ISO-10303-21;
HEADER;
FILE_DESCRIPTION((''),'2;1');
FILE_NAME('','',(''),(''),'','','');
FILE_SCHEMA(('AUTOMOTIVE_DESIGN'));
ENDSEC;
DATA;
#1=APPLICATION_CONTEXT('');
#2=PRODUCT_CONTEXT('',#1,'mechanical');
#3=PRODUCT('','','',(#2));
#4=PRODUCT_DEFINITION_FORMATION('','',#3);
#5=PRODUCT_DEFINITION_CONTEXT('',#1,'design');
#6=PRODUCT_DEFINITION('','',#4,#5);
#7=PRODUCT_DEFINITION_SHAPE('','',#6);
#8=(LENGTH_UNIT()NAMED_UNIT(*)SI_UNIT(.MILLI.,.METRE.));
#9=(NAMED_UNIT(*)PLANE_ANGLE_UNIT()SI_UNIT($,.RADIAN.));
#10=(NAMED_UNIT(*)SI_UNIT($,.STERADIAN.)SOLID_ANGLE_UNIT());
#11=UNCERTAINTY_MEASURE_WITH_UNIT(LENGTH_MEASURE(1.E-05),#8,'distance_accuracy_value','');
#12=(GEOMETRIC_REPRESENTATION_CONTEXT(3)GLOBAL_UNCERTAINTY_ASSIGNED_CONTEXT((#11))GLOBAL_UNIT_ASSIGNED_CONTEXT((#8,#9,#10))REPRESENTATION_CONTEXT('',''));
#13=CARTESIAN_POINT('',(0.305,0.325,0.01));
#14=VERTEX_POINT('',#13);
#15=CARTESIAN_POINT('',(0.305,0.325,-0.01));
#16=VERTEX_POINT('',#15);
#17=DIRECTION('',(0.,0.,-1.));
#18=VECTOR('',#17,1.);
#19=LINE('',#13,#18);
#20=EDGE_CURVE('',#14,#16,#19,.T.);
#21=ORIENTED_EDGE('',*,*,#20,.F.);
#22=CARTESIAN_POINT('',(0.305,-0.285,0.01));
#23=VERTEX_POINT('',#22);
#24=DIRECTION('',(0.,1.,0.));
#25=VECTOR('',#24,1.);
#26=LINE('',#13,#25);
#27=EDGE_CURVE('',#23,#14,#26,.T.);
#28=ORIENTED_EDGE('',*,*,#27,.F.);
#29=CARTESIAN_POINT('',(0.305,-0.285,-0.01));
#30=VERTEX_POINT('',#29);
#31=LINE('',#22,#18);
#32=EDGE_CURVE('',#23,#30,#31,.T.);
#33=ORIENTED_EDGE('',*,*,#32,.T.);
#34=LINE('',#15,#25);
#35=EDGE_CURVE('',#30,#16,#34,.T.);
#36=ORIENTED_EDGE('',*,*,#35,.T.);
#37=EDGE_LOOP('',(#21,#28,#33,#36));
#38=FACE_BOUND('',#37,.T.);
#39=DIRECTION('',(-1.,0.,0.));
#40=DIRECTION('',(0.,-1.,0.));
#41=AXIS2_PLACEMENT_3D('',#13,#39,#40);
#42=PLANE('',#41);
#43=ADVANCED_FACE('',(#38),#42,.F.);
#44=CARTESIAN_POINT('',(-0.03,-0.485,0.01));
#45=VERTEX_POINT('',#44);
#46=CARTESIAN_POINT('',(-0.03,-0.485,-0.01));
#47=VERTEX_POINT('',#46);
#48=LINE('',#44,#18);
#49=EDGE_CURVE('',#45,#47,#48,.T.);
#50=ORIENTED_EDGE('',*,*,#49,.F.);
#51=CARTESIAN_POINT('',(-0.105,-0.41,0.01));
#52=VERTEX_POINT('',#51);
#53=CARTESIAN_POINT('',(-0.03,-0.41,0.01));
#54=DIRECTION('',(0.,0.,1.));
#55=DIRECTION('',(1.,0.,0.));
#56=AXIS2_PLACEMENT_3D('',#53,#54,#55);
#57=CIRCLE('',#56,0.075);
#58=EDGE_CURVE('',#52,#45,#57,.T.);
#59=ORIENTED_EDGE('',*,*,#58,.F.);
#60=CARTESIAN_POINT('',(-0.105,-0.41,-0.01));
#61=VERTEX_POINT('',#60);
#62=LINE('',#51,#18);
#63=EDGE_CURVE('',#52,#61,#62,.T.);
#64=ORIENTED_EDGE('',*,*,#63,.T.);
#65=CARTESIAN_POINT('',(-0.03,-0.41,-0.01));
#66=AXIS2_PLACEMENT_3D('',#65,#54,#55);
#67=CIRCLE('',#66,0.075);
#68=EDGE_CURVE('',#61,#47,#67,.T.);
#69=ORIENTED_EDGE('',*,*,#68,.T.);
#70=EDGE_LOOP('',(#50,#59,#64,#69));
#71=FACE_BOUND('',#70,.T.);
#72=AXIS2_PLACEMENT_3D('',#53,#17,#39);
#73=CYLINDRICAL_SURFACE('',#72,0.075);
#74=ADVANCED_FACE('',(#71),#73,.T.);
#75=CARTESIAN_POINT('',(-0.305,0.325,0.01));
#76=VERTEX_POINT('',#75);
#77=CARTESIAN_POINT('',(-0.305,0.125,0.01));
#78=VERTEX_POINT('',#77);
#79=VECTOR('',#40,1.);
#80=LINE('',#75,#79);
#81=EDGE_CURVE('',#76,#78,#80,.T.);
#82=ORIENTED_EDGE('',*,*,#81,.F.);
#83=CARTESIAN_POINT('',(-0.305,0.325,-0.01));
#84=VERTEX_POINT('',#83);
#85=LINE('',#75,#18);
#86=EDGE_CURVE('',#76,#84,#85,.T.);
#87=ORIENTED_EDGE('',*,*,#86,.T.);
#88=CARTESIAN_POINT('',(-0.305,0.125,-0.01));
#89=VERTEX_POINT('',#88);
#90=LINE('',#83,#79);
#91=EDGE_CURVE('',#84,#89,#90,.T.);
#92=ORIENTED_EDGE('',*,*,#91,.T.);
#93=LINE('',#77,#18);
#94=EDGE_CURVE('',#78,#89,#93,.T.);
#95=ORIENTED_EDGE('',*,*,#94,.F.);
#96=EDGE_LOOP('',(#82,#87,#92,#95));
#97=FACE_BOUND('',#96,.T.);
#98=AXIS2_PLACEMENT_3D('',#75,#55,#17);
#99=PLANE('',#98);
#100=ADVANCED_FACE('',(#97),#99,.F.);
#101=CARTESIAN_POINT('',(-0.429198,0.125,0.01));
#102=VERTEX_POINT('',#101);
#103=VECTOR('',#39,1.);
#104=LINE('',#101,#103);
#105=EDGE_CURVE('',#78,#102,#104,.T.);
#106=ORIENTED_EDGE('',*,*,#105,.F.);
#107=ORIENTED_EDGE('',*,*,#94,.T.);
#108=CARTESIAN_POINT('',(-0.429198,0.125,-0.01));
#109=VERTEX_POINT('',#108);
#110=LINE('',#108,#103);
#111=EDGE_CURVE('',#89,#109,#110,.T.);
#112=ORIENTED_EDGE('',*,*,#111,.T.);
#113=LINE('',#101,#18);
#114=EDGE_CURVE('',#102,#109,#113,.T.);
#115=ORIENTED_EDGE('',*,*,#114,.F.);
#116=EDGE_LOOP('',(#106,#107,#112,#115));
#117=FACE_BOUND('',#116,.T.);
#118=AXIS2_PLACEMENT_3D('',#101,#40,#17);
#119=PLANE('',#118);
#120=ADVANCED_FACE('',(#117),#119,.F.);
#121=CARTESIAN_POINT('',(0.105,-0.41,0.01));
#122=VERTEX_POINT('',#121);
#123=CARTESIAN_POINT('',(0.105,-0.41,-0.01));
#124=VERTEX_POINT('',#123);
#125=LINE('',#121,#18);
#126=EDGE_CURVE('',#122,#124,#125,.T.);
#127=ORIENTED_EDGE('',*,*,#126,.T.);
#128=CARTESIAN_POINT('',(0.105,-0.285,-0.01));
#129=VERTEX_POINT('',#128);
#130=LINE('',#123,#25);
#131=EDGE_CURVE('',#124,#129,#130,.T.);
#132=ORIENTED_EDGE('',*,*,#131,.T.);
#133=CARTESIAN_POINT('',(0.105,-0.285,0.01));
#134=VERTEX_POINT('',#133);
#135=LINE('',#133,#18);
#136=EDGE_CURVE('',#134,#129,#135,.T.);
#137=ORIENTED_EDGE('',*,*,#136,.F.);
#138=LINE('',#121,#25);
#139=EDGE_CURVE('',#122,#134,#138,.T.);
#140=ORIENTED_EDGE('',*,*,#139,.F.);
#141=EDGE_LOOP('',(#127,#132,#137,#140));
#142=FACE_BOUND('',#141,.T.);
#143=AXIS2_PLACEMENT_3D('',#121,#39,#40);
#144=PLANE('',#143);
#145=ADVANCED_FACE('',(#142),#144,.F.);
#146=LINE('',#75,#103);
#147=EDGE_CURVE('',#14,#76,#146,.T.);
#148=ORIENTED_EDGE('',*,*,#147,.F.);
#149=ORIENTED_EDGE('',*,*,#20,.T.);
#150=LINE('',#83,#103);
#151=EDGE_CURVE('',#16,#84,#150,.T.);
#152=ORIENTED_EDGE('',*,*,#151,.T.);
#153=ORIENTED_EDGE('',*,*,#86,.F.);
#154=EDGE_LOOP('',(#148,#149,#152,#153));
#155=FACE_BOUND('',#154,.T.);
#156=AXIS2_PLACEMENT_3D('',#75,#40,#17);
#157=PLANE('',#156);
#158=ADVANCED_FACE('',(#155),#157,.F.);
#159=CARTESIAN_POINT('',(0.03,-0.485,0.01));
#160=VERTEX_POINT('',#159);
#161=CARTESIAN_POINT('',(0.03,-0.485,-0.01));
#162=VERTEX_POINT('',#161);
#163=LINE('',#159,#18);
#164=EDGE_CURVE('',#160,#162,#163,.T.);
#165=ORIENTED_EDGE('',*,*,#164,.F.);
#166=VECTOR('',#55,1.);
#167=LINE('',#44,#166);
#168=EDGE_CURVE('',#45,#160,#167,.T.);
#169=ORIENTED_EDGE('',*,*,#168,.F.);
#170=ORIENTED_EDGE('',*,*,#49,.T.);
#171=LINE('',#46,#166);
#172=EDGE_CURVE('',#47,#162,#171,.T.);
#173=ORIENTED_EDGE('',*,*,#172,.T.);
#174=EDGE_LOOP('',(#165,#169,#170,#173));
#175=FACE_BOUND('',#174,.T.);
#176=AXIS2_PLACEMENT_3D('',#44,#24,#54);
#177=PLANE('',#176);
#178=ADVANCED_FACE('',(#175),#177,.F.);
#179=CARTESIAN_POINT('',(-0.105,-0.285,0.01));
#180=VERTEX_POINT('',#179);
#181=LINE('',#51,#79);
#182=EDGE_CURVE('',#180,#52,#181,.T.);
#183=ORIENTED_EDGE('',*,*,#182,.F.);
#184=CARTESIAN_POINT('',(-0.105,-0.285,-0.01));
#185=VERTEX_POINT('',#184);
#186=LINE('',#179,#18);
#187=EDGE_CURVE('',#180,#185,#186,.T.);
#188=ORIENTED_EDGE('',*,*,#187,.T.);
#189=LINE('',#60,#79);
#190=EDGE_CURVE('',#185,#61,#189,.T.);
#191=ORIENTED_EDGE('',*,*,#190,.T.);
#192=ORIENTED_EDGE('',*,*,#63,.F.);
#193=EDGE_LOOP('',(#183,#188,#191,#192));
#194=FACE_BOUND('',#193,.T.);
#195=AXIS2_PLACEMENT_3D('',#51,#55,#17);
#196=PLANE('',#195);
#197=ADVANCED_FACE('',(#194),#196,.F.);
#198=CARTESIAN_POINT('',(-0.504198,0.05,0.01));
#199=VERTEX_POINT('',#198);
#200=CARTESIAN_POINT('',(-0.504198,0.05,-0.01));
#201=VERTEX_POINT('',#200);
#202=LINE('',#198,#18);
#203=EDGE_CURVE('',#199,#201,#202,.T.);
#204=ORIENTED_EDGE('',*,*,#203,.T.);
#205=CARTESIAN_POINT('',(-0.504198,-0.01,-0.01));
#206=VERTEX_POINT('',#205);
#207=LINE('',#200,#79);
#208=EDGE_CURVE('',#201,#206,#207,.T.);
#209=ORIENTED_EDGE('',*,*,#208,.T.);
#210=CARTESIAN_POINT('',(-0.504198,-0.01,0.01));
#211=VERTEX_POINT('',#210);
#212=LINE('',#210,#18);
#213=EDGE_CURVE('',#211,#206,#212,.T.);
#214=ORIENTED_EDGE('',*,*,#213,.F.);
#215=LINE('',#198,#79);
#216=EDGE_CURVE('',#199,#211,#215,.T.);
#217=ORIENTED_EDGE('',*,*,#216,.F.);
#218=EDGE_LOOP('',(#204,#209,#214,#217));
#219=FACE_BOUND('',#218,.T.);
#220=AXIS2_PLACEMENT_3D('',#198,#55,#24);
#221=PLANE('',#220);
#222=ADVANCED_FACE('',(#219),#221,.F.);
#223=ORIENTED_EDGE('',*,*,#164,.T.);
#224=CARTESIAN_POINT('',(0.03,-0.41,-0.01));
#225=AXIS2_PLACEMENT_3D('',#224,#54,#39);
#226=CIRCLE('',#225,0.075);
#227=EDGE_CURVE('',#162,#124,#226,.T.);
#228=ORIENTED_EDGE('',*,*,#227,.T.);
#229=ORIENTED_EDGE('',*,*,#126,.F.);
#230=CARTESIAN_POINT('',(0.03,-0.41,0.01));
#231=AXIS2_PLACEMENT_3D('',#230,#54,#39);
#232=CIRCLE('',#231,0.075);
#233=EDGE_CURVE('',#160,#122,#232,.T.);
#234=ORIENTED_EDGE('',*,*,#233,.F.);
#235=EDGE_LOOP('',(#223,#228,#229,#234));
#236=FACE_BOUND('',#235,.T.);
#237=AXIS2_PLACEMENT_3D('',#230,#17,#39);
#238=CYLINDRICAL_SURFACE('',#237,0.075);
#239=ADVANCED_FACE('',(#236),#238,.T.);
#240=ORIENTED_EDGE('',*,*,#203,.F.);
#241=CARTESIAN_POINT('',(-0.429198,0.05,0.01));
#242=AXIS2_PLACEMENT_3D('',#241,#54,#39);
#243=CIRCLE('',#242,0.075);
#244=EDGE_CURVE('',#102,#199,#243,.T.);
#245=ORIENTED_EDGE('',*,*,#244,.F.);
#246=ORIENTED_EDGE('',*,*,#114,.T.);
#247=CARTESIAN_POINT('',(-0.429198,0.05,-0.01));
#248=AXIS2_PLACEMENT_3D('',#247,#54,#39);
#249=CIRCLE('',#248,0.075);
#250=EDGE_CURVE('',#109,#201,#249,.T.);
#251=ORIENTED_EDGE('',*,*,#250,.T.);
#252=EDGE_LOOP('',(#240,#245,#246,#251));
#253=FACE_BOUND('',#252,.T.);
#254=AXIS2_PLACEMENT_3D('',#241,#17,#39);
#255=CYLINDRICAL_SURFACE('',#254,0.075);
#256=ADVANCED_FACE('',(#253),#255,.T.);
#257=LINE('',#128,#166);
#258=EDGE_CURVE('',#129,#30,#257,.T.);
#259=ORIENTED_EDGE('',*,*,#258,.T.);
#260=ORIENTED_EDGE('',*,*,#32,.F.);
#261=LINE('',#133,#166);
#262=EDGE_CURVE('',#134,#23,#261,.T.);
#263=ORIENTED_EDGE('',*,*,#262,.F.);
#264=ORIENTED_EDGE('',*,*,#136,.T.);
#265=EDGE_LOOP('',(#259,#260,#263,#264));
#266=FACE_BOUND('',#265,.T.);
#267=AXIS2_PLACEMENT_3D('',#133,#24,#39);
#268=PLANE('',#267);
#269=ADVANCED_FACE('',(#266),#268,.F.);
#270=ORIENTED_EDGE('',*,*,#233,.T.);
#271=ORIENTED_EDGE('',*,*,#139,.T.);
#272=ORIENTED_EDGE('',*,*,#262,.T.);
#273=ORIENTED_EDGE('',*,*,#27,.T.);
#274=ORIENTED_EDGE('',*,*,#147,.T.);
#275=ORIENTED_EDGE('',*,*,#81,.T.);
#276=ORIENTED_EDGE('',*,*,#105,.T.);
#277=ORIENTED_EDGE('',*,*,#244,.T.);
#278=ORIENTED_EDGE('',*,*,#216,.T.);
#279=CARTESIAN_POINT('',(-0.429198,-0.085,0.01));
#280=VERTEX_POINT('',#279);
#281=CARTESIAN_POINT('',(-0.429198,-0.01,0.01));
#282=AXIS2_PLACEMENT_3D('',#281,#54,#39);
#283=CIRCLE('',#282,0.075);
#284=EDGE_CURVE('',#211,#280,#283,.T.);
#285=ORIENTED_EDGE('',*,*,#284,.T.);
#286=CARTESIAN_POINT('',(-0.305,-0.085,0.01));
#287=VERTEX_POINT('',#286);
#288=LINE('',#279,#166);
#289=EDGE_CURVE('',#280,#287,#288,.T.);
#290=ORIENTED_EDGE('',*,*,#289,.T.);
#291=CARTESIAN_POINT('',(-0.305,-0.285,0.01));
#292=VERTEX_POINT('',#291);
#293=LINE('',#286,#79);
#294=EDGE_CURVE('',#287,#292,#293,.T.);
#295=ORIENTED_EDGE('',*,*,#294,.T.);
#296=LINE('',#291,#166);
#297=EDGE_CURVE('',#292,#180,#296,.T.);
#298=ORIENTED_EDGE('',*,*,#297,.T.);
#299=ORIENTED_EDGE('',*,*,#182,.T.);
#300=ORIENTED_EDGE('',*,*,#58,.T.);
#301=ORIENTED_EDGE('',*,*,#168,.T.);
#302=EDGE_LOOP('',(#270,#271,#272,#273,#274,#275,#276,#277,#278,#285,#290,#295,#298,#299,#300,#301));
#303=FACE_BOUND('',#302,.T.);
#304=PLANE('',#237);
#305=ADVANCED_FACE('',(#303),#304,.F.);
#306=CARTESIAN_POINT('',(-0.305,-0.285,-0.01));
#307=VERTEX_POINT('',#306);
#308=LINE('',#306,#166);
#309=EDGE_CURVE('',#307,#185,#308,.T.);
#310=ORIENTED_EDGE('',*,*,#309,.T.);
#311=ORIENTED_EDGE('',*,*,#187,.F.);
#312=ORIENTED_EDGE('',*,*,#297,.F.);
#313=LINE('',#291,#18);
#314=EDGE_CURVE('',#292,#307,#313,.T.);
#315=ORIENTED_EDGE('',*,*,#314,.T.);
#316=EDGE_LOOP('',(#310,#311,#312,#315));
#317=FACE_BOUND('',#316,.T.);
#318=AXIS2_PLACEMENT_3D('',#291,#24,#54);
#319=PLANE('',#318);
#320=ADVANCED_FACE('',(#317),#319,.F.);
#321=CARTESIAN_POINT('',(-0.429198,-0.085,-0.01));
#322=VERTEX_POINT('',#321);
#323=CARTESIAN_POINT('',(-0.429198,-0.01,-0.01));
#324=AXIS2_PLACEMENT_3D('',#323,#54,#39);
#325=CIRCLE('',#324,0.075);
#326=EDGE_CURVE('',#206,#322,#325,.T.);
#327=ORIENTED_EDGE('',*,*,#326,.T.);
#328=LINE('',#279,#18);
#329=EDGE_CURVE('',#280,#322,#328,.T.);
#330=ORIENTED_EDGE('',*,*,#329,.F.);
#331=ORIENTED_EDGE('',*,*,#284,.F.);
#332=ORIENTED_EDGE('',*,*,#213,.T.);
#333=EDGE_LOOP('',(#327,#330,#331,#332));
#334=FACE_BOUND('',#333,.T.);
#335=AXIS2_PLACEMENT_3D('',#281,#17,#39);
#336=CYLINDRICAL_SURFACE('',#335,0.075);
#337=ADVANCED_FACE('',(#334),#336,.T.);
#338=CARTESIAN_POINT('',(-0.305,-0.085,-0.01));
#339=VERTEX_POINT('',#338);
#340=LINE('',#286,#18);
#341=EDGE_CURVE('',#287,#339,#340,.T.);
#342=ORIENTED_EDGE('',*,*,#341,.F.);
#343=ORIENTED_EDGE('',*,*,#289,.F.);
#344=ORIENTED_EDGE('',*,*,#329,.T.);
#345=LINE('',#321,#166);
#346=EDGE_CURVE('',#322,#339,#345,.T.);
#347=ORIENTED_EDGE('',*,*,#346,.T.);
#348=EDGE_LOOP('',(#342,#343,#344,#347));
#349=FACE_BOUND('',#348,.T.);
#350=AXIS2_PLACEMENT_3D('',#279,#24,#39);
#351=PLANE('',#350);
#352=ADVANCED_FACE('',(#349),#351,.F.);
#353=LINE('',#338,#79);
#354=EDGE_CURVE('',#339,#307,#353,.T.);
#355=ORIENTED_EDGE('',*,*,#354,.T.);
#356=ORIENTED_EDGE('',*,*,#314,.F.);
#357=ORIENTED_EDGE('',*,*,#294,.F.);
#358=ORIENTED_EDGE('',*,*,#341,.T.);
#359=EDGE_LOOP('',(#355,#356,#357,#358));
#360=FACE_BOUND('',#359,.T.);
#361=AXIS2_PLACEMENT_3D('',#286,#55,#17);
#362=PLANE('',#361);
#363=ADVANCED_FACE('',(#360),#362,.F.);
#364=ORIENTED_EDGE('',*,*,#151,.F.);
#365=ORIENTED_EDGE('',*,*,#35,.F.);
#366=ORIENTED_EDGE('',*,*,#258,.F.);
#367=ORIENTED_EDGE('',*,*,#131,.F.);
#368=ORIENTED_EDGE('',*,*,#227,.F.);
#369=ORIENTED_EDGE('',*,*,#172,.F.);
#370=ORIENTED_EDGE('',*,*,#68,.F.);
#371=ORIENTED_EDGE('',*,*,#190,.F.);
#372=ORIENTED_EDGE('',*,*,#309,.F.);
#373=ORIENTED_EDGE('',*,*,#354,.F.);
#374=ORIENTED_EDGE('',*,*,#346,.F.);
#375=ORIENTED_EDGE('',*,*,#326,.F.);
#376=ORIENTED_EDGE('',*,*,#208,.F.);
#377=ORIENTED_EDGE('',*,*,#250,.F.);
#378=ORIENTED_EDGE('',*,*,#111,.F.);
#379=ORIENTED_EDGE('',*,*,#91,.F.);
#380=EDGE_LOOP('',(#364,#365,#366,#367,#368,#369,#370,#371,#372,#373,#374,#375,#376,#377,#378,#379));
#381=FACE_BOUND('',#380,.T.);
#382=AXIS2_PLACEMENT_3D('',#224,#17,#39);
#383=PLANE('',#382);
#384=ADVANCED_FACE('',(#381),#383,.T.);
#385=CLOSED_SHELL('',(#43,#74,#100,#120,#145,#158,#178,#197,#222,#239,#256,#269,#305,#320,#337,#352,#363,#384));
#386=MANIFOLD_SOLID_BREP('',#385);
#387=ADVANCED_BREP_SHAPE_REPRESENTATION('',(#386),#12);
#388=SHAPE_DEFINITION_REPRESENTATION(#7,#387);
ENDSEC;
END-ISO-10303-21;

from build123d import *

# Parameters (mm, degrees)
BOSS_EXTRUDE1_DEPTH = 0.01


with BuildPart() as part:
    # Sketch1 → Boss-Extrude1 (new, symmetric)
    with BuildSketch(Plane.XY):
        with BuildLine():
            Line((-0.305, 0.325), (-0.305, 0.125))
            Line((-0.305, 0.125), (-0.429197649, 0.125))
            ThreePointArc((-0.429197649, 0.125), (-0.482230658, 0.103033009), (-0.504197649, 0.05))
            Line((-0.504197649, 0.05), (-0.504197649, -0.01))
            ThreePointArc((-0.504197649, -0.01), (-0.482230658, -0.063033009), (-0.429197649, -0.085))
            Line((-0.429197649, -0.085), (-0.305, -0.085))
            Line((-0.305, -0.085), (-0.305, -0.285))
            Line((-0.305, -0.285), (-0.105, -0.285))
            Line((-0.105, -0.285), (-0.105, -0.41))
            ThreePointArc((-0.105, -0.41), (-0.083033009, -0.463033009), (-0.03, -0.485))
            Line((-0.03, -0.485), (0.03, -0.485))
            ThreePointArc((0.03, -0.485), (0.083033009, -0.463033009), (0.105, -0.41))
            Line((0.105, -0.41), (0.105, -0.285))
            Line((0.105, -0.285), (0.305, -0.285))
            Line((0.305, -0.285), (0.305, 0.325))
            Line((0.305, 0.325), (-0.305, 0.325))
        make_face()
    extrude(amount=BOSS_EXTRUDE1_DEPTH, both=True)


solid = part.part
